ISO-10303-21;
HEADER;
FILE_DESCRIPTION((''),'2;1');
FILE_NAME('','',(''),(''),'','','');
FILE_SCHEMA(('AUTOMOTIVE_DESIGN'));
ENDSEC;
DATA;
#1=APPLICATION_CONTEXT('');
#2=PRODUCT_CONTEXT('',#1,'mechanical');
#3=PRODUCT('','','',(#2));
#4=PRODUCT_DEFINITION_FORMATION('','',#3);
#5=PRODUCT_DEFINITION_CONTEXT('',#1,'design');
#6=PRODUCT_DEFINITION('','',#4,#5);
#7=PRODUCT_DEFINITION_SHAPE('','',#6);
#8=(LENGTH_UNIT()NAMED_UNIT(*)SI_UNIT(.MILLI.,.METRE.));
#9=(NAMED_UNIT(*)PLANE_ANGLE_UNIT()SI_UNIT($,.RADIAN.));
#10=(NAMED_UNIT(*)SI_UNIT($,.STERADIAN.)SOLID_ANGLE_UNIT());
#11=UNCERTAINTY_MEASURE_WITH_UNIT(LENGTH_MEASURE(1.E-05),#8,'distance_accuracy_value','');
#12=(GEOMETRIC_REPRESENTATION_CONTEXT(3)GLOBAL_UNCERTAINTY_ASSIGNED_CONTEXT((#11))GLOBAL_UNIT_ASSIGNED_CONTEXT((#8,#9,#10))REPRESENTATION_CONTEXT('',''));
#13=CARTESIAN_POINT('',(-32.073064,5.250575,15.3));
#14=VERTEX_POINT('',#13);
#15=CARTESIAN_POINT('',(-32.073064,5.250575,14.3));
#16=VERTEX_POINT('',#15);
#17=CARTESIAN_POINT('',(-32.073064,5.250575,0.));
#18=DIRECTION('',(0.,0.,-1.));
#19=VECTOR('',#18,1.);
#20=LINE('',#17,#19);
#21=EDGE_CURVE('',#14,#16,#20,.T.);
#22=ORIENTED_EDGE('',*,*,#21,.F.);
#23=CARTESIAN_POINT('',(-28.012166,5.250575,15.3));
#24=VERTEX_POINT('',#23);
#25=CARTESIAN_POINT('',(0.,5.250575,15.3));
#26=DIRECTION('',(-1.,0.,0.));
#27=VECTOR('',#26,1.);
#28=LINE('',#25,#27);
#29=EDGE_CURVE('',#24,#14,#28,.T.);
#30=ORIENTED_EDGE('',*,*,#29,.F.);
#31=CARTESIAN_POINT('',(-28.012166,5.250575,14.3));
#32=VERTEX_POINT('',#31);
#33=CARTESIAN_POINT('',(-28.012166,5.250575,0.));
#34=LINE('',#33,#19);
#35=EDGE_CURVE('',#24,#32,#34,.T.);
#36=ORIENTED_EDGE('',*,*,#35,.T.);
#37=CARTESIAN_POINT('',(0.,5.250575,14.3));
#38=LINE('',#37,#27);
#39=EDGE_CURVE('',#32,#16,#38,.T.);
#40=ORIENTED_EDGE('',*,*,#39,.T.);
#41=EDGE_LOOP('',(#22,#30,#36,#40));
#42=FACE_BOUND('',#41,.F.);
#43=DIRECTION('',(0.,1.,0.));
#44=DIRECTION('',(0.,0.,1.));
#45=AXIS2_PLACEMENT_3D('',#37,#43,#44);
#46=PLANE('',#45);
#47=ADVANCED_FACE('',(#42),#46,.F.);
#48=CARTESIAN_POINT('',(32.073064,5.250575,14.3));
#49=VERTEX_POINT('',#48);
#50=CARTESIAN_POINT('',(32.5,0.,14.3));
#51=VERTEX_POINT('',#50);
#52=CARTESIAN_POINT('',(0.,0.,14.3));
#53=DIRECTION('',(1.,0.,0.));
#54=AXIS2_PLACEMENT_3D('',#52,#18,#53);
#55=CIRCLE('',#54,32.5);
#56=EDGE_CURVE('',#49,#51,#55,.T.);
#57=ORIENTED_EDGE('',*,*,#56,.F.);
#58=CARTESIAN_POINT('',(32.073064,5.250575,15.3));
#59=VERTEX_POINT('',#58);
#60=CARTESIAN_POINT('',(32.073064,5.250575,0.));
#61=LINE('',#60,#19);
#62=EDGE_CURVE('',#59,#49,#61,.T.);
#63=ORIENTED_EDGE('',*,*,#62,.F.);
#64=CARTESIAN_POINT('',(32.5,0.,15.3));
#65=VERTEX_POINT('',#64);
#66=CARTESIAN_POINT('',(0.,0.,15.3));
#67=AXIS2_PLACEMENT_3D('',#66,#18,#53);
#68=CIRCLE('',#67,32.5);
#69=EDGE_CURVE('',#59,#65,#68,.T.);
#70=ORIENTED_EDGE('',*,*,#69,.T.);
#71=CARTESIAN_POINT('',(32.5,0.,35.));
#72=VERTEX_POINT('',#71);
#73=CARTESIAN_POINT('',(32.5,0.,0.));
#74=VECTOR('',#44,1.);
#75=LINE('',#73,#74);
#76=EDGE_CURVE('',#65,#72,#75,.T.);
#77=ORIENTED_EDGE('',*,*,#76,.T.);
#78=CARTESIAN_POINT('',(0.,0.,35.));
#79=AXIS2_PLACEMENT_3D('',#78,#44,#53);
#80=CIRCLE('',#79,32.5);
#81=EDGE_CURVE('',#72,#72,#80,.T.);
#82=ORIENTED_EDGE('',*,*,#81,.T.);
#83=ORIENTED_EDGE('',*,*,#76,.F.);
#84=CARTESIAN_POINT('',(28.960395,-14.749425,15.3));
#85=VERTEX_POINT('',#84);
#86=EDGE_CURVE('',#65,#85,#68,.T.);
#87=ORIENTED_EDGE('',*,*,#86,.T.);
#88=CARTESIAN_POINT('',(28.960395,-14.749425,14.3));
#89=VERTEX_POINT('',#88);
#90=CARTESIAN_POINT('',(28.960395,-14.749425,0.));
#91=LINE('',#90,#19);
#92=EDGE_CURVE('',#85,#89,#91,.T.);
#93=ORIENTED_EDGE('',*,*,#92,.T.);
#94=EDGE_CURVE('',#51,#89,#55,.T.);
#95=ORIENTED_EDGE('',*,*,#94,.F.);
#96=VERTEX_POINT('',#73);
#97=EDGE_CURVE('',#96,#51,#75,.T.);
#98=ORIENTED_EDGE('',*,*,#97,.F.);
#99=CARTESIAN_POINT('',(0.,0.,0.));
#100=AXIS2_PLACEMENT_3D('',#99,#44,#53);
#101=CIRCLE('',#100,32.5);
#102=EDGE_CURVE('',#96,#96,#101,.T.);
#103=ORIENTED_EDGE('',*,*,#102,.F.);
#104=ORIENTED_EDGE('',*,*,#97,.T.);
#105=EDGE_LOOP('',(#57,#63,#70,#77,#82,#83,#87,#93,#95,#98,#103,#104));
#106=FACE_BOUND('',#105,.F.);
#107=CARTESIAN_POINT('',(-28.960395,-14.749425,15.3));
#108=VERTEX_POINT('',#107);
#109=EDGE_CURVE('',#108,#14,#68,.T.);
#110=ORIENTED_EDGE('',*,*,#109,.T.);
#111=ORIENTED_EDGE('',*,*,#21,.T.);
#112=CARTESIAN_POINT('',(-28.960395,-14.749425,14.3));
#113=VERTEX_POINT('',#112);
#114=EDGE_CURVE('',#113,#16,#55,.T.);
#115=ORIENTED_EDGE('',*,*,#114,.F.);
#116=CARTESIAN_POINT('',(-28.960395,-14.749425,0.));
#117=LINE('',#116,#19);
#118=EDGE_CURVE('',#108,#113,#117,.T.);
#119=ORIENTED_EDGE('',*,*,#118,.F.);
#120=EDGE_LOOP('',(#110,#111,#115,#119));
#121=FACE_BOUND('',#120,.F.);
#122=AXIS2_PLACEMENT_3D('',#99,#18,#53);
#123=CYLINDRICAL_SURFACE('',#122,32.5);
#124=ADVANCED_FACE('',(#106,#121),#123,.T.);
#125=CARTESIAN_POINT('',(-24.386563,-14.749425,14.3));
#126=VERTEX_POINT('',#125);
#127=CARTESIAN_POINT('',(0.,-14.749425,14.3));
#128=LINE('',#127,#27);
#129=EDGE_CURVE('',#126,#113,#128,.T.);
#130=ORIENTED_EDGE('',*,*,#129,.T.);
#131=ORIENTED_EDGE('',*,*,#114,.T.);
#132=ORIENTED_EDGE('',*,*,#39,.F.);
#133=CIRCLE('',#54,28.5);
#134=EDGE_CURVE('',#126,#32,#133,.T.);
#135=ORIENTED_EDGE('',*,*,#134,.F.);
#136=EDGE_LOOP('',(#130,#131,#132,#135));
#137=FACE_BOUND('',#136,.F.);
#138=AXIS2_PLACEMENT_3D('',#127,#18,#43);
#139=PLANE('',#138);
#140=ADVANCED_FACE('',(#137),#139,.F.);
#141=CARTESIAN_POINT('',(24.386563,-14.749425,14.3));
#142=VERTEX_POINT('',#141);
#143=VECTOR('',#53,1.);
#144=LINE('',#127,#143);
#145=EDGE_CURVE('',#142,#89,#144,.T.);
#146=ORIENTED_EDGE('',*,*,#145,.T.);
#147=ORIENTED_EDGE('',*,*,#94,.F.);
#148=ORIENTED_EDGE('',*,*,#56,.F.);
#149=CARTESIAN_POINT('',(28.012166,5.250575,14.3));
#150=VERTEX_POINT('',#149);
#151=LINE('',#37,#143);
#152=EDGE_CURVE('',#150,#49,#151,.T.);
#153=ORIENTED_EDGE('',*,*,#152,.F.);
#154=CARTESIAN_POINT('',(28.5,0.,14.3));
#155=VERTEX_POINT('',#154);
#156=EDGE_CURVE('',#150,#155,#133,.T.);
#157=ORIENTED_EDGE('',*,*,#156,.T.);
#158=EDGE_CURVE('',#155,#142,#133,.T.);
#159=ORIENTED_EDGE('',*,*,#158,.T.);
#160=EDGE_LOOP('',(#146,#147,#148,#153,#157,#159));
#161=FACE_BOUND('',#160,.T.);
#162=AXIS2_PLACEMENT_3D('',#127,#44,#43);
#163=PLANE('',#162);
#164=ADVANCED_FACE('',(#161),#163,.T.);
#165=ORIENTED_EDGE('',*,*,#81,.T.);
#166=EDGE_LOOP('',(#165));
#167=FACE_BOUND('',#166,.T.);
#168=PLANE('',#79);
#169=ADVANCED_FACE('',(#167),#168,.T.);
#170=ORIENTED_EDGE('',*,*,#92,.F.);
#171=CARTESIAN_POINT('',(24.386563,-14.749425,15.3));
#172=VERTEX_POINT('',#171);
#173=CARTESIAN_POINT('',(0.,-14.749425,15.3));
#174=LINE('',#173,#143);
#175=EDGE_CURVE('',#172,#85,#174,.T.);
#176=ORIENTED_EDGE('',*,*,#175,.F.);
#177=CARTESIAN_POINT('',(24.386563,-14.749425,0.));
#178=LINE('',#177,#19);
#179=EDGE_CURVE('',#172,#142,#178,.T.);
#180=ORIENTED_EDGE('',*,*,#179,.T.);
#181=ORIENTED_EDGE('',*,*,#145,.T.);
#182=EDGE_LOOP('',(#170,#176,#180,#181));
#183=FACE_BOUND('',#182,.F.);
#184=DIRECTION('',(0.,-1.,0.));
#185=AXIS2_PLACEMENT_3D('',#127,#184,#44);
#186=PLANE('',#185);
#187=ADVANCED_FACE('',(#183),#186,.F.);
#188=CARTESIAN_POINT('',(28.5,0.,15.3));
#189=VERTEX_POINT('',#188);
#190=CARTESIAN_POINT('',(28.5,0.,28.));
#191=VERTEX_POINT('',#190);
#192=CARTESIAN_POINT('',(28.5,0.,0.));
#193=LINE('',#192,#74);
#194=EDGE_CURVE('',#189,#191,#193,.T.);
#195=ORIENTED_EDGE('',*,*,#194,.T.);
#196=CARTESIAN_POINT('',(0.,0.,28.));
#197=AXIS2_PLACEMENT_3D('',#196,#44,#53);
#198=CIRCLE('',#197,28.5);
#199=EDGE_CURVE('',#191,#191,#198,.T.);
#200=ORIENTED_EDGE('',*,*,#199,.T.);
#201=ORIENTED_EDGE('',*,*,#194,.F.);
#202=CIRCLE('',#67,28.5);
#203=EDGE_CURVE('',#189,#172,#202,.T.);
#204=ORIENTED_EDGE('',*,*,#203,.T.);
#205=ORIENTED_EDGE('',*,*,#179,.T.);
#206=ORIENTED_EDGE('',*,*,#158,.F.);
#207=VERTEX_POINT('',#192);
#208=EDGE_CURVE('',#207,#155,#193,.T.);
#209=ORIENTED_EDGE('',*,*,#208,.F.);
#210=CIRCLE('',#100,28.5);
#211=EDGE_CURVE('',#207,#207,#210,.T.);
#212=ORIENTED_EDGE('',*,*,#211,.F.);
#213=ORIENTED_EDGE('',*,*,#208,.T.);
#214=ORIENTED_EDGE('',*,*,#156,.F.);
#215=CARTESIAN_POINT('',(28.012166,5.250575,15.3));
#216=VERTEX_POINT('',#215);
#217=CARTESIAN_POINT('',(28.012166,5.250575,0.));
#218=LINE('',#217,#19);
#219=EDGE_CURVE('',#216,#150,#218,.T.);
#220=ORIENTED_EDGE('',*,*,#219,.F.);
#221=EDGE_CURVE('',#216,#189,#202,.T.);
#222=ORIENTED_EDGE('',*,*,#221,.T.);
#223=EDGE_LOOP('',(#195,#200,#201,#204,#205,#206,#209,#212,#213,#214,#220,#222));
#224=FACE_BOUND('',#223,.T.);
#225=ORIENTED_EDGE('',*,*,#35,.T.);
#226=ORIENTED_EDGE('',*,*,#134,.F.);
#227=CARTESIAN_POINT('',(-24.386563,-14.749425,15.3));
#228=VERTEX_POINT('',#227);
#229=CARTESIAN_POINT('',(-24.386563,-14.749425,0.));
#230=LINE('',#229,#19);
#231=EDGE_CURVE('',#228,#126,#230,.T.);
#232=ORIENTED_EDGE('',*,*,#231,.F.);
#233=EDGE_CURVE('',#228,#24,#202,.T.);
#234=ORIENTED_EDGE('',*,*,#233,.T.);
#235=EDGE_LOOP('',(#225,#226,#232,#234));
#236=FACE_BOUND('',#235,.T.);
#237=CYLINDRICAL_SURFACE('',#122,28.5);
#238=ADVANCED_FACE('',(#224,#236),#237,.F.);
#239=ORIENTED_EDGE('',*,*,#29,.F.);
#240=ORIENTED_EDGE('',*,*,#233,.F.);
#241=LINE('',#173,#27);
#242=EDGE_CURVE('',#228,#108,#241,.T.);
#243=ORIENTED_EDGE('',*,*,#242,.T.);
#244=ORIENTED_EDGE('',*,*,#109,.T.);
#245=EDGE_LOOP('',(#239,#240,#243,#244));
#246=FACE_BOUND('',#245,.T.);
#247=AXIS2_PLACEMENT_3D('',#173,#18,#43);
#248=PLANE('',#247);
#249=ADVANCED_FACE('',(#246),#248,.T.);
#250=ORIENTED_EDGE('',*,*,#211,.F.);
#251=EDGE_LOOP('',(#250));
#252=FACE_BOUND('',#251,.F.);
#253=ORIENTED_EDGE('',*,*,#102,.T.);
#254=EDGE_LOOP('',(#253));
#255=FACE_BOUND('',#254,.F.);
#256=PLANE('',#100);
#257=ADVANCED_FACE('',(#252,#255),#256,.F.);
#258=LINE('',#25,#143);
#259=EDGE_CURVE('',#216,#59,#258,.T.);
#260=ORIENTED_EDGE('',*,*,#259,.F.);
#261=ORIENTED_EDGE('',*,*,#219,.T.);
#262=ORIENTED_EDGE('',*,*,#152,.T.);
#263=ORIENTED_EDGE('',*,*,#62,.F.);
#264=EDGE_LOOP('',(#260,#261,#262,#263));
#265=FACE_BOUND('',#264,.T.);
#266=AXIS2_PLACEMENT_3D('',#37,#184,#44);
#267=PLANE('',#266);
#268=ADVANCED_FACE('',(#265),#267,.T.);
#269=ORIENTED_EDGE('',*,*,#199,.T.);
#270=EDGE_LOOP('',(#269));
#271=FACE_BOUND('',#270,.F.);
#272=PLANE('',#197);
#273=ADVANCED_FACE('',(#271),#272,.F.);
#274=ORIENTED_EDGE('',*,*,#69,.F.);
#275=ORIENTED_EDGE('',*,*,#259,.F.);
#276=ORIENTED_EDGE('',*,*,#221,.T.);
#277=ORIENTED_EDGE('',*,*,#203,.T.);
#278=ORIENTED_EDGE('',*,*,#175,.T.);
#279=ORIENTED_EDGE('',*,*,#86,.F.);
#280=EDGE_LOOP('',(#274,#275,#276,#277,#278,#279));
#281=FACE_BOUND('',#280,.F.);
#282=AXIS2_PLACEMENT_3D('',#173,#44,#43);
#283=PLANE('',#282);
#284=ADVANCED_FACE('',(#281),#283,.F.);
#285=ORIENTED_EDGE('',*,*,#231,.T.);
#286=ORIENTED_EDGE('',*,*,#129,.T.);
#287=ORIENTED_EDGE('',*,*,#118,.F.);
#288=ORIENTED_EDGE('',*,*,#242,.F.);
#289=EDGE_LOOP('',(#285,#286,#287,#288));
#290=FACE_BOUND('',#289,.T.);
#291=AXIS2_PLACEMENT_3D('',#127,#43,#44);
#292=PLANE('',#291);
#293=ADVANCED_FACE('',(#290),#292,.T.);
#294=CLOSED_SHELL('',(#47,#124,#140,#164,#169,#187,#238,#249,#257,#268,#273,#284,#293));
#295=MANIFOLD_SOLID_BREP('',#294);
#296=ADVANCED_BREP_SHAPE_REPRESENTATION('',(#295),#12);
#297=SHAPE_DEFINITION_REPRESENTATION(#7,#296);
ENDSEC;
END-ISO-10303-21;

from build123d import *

# Parameters (mm, degrees)
F1_R          = 32.5
F2_DEPTH      = 35
F0_R          = 28.5
F3_DEPTH      = 28
F4_W          = 20
F4_H          = 1
F5_DEPTH      = 40
F5_DEPTH_BACK = 33.5


with BuildPart() as f2:
    # F1 (on Top) → F2 (new body)
    with BuildSketch(Plane.XY):
        Circle(F1_R)
    extrude(amount=F2_DEPTH)

    # F0 (on Top) → F3 (cut)
    with BuildSketch(Plane.XY):
        Circle(F0_R)
    extrude(amount=F3_DEPTH, mode=Mode.SUBTRACT)

    # F4 (on Right) → F5 (cut, two sides)
    with BuildSketch(Plane.YZ) as f5_sk:
        with Locations((-4.7494247556, 14.8)):
            Rectangle(F4_W, F4_H)
    extrude(amount=-F5_DEPTH, mode=Mode.SUBTRACT)
    extrude(f5_sk.sketch, amount=F5_DEPTH_BACK, mode=Mode.SUBTRACT)


solid = f2.part
